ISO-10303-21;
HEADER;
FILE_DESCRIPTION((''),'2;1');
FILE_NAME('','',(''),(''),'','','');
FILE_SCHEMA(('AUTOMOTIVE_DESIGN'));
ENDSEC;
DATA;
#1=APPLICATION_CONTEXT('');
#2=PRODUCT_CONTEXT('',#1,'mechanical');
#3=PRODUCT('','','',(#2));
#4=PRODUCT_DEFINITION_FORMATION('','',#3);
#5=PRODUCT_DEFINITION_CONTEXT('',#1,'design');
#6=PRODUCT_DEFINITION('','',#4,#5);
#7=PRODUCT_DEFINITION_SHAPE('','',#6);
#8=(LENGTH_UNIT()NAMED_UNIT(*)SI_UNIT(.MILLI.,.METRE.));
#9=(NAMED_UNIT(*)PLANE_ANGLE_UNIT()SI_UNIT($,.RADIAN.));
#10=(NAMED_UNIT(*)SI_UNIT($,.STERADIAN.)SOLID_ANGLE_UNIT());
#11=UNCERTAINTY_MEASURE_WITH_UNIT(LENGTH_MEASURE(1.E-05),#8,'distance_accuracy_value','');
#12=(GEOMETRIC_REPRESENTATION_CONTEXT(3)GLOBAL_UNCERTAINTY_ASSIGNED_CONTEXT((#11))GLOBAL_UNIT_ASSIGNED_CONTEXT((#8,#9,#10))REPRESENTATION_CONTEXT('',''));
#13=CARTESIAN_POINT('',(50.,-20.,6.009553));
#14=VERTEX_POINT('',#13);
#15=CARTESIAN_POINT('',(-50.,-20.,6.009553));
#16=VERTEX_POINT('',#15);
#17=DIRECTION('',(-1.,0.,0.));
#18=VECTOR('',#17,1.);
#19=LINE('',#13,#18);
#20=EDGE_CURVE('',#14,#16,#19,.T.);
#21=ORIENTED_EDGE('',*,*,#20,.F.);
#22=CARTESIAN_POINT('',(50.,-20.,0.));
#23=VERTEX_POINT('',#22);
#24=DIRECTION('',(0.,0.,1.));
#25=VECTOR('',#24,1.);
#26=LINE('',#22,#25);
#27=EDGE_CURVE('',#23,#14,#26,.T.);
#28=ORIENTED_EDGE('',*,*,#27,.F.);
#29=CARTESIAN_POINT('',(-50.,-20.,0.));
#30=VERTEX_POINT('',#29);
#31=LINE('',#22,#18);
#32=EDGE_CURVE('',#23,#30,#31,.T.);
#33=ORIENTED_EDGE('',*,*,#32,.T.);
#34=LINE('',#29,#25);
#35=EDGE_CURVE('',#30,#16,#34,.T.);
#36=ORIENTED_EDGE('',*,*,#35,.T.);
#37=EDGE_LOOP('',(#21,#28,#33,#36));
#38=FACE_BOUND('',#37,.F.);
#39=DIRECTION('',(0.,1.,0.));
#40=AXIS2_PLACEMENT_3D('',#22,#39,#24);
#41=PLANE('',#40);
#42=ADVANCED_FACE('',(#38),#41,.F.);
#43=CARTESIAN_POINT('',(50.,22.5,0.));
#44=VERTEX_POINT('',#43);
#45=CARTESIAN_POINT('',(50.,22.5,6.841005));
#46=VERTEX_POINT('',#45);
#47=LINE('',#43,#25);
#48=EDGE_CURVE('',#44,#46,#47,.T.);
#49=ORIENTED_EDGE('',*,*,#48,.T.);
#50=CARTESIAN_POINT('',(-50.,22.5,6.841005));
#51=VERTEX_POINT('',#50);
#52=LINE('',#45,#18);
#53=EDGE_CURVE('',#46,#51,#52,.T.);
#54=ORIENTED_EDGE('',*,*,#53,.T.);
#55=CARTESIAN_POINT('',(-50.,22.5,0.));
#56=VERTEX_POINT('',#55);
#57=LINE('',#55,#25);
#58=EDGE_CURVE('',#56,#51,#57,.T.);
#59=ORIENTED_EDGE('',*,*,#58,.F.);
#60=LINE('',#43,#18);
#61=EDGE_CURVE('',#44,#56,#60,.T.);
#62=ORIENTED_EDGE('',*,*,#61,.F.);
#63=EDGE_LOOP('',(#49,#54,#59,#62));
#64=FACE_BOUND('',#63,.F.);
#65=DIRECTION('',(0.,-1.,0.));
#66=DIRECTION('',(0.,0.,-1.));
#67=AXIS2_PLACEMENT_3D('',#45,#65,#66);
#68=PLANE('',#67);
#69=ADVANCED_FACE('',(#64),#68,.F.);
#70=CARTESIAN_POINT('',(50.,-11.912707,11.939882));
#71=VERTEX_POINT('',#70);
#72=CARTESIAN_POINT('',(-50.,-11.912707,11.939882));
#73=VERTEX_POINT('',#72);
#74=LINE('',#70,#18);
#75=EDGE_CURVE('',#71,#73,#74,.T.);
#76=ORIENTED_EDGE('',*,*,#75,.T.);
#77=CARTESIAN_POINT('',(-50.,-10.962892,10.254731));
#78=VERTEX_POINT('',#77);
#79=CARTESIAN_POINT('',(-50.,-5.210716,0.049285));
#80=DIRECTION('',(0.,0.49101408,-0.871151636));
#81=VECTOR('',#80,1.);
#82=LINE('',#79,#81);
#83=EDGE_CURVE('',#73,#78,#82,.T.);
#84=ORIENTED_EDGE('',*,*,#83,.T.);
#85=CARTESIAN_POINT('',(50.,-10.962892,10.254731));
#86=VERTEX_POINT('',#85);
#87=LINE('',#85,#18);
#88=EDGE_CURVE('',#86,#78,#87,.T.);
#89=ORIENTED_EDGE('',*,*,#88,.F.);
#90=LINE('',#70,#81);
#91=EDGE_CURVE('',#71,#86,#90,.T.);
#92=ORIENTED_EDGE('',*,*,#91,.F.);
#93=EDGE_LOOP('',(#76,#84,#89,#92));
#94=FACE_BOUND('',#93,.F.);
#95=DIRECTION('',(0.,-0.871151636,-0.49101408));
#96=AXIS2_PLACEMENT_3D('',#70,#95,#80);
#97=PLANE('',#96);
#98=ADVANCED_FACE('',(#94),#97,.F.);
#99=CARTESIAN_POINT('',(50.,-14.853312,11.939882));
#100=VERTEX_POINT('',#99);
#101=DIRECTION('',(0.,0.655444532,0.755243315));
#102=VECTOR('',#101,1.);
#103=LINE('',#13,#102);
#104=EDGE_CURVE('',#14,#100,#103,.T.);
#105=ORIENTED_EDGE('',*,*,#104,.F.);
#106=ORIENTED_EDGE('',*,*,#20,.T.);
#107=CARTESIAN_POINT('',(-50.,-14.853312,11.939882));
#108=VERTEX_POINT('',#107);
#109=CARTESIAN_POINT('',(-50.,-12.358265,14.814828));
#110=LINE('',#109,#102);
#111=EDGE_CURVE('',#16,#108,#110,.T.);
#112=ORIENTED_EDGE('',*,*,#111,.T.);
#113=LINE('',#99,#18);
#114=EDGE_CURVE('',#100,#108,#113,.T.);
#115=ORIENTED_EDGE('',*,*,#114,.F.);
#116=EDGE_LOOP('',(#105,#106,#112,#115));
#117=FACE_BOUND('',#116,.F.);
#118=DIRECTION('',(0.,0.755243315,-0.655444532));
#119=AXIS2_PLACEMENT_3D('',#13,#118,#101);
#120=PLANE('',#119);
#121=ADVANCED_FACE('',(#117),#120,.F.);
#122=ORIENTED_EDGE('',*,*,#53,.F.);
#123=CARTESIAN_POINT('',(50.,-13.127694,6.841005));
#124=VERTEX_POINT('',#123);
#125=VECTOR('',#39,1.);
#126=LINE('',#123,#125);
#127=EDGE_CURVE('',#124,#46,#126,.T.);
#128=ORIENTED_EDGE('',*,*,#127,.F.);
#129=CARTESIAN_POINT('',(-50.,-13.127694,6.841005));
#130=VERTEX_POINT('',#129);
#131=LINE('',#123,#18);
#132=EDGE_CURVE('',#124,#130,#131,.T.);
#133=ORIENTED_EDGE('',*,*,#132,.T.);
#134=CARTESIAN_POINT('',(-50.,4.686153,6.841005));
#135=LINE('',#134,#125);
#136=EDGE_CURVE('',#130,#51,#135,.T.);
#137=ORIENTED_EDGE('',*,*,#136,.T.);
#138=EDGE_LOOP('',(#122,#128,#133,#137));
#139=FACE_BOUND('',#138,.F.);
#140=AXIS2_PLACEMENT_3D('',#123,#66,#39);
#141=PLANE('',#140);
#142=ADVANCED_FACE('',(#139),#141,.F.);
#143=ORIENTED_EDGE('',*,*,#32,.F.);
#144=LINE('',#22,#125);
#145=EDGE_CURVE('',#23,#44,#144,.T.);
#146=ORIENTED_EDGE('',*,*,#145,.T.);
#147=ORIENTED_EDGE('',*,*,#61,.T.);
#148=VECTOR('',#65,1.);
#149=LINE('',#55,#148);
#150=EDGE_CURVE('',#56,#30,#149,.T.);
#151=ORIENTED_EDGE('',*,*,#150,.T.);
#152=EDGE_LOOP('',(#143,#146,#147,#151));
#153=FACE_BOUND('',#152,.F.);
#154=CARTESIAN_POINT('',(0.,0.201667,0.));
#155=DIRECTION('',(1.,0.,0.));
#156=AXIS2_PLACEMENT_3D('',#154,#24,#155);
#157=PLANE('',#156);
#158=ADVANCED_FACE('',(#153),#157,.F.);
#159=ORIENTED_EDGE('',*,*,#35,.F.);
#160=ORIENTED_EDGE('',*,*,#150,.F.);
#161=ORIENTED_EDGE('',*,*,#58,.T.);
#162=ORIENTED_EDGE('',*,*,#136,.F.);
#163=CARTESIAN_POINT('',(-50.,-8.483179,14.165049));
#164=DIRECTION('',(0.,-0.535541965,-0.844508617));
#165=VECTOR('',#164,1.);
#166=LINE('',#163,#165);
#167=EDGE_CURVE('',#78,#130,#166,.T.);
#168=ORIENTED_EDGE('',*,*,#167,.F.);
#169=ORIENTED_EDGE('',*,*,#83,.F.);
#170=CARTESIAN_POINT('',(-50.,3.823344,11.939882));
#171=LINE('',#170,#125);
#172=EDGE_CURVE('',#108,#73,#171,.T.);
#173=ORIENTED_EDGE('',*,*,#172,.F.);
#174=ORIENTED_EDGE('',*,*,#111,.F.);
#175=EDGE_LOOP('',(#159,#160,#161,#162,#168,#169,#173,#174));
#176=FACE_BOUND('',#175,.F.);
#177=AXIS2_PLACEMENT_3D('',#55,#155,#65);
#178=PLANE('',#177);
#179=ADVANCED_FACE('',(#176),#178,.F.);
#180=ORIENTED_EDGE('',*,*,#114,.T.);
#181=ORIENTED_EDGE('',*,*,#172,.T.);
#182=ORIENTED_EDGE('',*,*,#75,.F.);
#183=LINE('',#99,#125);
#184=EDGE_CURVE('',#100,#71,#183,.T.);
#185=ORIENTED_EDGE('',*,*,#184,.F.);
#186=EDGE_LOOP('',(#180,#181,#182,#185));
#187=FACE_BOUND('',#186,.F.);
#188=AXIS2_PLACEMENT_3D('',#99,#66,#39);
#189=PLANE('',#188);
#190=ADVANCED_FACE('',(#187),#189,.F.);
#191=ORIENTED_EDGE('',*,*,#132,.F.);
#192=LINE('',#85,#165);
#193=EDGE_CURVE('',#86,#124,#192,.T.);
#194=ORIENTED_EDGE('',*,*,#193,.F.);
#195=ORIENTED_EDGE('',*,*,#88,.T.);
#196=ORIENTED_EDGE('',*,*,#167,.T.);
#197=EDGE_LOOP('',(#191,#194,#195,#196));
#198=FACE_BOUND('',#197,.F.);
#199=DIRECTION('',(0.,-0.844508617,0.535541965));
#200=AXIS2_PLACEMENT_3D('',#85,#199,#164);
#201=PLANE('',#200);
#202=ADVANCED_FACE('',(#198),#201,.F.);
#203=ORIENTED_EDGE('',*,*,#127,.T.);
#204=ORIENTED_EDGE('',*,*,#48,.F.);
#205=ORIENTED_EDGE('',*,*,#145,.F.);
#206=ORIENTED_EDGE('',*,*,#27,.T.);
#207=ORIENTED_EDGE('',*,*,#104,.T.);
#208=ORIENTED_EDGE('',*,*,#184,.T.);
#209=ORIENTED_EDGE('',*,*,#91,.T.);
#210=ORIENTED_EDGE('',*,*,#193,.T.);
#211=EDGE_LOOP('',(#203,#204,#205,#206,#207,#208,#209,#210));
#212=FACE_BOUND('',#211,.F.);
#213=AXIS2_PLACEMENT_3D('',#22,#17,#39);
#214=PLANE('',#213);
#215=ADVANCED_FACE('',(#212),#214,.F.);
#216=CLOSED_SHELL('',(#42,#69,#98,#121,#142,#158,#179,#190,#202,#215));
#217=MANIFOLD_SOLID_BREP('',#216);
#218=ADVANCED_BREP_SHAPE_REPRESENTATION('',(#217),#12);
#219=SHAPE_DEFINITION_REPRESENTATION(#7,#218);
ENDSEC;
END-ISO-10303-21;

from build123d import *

# Parameters (mm, degrees)
F1_DEPTH = 25
F3_DEPTH = 106.1


with BuildPart() as f1:
    # F0 (on Top) → F1 (new body)
    with BuildSketch(Plane.XY):
        with BuildLine():
            Line((-45, -25), (45, -25))
            ThreePointArc((45, -25), (48.5355339059, -23.5355339059), (50, -20))
            Line((50, -20), (50, 22.5))
            ThreePointArc((50, 22.5), (49.267766953, 24.267766953), (47.5, 25))
            Line((47.5, 25), (-47.5, 25))
            ThreePointArc((-47.5, 25), (-49.267766953, 24.267766953), (-50, 22.5))
            Line((-50, 22.5), (-50, -20))
            ThreePointArc((-50, -20), (-48.5355339059, -23.5355339059), (-45, -25))
        make_face()
    extrude(amount=F1_DEPTH)

    # F2 (on face) → F3 (cut)
    with BuildSketch(Plane.YZ.offset(50)):
        Polygon((22.5, 0), (25.4749804735, 0), (25.0893887132, 6.8410052918), (22.5, 6.8410052918), align=None)
        Polygon((-25.2154432237, 0), (-20, 0), (-20, 6.009552968), align=None)
        Polygon((-13.1276939064, 6.8410052918), (22.5, 6.8410052918), (22.5, 25), (-20, 25), (-20, 6.009552968), (-14.8533117026, 11.9398823008), (-11.9127072394, 11.9398823008), (-10.9628923237, 10.2547314018), align=None)
        Polygon((25.0893887132, 6.8410052918), (25.4749804735, 0), (36.3297052681, 11.9398823008), (27.1709300578, 33.9842922986), (-13.1276939064, 31.7128692126), (-32.7774360776, 29.1551183909), (-25.2154432237, 0), (-20, 6.009552968), (-20, 25), (22.5, 25), (22.5, 6.8410052918), align=None)
    extrude(amount=-F3_DEPTH, mode=Mode.SUBTRACT)


solid = f1.part
